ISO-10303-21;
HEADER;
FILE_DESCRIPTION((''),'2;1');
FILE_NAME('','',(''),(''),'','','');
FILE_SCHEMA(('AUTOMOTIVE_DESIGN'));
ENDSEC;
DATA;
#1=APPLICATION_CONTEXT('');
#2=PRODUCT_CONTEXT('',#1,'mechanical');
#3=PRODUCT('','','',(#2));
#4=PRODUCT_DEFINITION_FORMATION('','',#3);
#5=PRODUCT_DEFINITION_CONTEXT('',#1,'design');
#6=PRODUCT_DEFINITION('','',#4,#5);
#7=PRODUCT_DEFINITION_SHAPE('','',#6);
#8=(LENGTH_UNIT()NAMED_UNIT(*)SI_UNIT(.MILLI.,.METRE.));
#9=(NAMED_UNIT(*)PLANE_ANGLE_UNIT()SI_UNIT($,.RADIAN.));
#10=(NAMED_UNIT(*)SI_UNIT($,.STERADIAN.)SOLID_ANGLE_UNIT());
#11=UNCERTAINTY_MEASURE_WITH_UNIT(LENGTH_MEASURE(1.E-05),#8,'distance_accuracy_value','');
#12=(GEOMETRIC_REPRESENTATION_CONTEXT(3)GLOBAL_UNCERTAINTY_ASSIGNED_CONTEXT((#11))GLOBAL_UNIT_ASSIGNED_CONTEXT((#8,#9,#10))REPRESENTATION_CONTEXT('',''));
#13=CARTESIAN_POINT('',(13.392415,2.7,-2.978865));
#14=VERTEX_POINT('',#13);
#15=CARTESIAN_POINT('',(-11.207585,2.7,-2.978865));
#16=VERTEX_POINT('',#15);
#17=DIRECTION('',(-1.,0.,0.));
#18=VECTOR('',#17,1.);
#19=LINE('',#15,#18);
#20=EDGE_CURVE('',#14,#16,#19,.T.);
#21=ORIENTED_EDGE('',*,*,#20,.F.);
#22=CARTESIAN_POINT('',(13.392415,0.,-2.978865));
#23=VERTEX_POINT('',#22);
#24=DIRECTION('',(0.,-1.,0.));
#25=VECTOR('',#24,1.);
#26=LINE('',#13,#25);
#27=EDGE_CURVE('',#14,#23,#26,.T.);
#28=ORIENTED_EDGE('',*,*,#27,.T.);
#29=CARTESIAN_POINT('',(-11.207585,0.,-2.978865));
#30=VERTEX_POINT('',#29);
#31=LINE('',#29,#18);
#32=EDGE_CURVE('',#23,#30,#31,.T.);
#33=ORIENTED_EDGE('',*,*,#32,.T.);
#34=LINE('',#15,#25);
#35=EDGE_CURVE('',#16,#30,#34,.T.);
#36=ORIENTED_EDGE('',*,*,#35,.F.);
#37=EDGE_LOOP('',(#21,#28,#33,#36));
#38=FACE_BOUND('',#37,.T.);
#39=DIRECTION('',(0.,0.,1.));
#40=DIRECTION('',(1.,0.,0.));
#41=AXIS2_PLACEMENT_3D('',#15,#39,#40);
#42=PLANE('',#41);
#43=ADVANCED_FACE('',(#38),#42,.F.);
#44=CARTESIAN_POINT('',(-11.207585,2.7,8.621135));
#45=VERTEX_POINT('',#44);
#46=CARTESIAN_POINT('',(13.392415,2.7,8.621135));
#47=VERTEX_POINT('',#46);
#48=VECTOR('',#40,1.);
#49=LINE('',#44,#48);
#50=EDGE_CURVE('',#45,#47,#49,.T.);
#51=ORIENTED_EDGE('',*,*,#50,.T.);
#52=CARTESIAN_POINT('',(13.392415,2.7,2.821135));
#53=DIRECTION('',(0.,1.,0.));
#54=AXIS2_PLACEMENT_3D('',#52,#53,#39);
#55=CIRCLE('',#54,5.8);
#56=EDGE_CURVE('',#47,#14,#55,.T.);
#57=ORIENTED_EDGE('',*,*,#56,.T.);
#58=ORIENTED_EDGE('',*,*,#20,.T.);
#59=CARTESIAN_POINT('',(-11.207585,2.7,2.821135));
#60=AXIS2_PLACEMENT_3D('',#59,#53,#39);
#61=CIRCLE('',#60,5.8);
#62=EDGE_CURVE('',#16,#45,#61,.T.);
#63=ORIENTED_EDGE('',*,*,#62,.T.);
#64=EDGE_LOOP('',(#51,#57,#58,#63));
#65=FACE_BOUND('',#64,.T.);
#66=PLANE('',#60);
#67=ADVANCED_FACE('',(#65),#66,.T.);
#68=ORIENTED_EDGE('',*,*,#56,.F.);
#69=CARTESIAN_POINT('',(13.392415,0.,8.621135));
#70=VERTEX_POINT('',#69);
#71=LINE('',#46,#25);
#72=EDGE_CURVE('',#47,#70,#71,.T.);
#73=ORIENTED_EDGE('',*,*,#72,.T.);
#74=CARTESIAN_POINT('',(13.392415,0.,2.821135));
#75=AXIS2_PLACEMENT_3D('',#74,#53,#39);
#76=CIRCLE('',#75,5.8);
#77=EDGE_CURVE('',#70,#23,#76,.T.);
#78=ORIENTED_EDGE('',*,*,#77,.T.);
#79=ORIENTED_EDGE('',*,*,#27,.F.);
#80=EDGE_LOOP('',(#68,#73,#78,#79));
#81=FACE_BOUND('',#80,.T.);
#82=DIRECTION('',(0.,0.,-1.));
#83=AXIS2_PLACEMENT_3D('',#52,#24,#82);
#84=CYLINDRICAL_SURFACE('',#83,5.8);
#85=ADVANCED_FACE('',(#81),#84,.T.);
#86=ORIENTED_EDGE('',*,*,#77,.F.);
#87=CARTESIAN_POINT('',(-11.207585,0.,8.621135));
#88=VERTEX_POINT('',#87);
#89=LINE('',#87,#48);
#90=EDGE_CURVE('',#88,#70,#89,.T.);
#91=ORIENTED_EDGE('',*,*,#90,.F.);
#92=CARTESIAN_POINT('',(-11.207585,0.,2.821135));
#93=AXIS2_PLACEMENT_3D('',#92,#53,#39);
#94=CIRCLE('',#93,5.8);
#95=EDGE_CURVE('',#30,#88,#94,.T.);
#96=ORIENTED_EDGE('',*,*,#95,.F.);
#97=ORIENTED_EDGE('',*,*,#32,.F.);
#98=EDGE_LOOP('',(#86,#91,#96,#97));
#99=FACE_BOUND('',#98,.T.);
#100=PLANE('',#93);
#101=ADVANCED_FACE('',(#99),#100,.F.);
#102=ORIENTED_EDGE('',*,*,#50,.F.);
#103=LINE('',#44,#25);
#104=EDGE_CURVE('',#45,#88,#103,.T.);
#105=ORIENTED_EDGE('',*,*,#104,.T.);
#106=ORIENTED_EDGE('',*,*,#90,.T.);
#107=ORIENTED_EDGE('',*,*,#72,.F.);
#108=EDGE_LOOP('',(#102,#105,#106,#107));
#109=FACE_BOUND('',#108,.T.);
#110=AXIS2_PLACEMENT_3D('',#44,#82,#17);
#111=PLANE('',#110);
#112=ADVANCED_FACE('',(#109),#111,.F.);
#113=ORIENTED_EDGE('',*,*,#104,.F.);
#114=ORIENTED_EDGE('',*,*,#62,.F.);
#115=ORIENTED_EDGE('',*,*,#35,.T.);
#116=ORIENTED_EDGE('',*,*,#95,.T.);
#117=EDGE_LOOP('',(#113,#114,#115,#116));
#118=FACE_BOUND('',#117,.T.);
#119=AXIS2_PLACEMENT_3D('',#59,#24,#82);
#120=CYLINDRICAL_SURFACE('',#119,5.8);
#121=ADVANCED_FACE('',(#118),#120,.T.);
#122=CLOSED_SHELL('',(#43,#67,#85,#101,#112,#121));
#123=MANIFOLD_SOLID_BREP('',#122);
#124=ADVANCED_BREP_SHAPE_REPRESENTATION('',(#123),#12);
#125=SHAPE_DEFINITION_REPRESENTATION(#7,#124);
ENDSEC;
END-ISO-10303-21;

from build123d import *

# Parameters (mm, degrees)
EXTRUDE_1_DEPTH = 2.7


with BuildPart() as part:
    # 草图1 → 凸台-拉伸1 (new body)
    with BuildSketch(Plane(origin=(0, 0, 0), x_dir=(1, 0, 0), z_dir=(0, 1, 0))):
        with BuildLine():
            Line((-11.20758513, 2.97886472), (13.39241487, 2.97886472))
            ThreePointArc((13.39241487, 2.97886472), (19.19241487, -2.82113528), (13.39241487, -8.62113528))
            Line((13.39241487, -8.62113528), (-11.20758513, -8.62113528))
            ThreePointArc((-11.20758513, -8.62113528), (-17.00758513, -2.82113528), (-11.20758513, 2.97886472))
        make_face()
    extrude(amount=EXTRUDE_1_DEPTH)


solid = part.part
